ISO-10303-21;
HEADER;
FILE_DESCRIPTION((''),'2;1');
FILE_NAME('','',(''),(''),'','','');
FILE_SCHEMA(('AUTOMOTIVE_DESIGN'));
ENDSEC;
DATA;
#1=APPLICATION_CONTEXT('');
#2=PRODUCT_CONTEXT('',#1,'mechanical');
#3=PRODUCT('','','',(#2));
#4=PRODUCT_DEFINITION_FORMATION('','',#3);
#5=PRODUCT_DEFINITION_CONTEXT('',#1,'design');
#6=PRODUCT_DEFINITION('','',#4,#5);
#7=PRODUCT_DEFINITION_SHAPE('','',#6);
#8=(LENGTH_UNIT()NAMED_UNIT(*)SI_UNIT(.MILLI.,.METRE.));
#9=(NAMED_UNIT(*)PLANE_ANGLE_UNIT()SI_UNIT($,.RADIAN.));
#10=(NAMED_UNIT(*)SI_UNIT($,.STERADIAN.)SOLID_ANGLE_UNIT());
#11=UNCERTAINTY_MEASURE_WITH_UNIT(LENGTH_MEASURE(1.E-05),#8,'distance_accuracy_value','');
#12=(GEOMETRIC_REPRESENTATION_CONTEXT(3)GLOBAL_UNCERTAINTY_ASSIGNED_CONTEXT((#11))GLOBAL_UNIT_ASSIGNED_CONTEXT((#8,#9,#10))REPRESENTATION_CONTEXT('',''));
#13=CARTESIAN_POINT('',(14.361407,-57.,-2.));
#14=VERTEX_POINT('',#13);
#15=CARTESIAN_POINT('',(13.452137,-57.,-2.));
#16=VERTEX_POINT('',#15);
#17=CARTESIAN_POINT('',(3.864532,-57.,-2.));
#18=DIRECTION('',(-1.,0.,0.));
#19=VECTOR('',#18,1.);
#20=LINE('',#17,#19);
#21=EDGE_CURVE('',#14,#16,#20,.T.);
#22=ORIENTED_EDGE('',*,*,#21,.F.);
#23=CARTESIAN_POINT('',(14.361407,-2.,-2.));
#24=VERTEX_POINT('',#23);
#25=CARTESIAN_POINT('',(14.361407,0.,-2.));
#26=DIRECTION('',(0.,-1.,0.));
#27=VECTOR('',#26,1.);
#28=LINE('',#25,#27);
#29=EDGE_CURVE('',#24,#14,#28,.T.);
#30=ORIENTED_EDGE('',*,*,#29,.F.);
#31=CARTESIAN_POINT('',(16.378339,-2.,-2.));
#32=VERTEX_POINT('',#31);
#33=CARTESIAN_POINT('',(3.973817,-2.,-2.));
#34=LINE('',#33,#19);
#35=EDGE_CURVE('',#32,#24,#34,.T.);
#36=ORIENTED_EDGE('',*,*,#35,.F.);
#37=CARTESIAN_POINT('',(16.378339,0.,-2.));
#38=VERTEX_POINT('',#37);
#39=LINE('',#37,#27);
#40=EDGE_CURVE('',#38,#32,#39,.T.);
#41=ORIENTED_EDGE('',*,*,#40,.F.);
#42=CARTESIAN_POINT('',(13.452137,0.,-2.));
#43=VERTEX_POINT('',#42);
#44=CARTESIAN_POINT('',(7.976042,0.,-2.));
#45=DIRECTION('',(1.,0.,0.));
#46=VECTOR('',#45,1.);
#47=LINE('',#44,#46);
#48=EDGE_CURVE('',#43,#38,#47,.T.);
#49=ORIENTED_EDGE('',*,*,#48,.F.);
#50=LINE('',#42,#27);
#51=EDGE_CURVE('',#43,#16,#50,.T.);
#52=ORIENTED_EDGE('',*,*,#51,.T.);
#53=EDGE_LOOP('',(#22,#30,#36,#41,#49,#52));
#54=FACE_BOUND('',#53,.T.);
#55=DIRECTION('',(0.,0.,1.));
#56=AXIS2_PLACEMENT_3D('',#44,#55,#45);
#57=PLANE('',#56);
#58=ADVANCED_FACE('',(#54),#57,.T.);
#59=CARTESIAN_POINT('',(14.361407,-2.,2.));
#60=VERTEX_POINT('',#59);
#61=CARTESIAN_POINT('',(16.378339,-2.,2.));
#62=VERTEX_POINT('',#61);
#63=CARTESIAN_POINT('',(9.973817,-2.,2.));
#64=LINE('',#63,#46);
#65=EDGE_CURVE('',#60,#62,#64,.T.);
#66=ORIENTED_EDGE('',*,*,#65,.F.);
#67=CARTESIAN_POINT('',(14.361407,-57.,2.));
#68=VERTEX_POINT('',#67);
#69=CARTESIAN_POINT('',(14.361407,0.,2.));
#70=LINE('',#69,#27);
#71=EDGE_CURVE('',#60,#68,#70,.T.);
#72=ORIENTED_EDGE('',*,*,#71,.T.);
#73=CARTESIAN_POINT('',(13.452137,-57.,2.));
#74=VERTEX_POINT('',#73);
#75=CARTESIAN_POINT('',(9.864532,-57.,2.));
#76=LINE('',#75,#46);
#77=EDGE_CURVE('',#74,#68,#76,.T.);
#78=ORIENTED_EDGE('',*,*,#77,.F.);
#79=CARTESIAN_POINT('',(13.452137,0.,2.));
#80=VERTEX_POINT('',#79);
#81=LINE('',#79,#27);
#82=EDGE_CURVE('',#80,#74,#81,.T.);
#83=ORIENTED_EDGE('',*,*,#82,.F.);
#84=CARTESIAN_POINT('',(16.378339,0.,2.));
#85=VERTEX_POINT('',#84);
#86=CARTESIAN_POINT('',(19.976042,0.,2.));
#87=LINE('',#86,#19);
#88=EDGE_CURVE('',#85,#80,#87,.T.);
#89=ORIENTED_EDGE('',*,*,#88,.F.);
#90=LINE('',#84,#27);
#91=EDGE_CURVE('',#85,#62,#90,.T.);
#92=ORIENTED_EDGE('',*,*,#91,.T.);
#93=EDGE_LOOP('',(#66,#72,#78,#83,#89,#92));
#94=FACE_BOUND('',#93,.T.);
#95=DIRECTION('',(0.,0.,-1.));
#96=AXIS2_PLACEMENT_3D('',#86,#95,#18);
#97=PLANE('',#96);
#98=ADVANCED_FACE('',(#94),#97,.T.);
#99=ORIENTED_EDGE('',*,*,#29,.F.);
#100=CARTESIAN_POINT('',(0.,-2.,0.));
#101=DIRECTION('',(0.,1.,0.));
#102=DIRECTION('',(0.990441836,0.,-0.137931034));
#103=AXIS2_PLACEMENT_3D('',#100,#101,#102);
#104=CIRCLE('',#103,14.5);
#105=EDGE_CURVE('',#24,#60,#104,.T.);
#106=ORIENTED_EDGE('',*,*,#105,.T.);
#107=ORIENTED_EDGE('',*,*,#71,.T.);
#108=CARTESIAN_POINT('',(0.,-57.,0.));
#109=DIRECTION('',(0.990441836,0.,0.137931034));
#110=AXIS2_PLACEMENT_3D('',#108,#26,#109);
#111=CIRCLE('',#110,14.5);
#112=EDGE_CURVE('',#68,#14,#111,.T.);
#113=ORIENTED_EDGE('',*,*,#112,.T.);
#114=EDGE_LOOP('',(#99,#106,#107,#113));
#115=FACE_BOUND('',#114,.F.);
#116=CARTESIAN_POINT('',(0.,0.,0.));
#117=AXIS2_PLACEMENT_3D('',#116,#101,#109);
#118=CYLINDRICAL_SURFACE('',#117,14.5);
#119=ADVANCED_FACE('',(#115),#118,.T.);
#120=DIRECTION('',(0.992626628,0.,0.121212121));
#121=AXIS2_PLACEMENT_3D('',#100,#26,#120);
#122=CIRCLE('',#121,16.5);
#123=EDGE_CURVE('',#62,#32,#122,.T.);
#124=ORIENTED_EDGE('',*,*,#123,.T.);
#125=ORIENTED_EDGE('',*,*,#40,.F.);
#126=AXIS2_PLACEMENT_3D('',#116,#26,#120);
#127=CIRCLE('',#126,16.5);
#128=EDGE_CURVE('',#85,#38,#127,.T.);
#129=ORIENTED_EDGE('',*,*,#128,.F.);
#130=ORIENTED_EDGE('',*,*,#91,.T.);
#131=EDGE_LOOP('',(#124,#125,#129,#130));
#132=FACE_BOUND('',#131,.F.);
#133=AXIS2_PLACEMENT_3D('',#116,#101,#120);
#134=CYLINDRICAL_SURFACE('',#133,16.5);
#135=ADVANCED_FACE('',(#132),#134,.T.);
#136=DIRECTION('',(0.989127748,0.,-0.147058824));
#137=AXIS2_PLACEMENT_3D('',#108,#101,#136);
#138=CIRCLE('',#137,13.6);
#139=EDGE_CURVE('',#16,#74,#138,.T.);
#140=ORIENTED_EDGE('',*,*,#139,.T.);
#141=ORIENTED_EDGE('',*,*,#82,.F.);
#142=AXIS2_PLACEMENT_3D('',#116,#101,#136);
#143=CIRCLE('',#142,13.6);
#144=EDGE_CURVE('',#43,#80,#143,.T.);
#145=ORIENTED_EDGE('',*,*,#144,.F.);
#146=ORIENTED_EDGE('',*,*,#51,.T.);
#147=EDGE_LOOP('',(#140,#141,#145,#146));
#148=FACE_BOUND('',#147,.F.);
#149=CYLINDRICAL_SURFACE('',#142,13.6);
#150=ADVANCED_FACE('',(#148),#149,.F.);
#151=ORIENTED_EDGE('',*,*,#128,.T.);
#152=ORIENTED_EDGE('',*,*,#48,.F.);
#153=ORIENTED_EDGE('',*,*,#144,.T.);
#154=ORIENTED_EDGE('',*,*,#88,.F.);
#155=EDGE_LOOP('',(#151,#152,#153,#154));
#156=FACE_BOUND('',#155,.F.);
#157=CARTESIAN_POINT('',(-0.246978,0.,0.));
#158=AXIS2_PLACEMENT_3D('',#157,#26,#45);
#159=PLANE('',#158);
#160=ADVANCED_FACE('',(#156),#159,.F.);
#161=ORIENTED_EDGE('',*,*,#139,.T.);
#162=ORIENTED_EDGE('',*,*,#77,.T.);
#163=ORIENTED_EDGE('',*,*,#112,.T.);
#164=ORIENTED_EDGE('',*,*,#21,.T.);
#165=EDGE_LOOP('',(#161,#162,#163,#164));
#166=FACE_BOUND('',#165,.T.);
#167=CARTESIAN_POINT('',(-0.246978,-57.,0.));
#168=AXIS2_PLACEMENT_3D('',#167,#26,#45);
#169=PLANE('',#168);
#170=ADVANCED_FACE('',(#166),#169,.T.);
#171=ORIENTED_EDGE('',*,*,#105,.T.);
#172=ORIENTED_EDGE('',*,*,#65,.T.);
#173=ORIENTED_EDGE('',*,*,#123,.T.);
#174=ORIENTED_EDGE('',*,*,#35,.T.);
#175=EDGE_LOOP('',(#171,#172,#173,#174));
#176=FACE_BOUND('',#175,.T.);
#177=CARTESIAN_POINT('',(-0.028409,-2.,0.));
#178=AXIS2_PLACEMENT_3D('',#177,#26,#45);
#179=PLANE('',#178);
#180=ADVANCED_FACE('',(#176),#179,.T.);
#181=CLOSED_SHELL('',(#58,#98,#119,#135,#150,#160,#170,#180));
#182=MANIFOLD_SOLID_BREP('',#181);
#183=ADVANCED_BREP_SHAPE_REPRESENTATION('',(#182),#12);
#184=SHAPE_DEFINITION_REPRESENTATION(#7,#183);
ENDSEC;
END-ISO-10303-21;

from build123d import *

# Parameters (mm, degrees)
F1_DEPTH = 2
F2_DEPTH = 57
F3_DEPTH = 127


with BuildPart() as f1:
    # F0 (on Front) → F1 (new body)
    with BuildSketch(Plane.XZ):
        with BuildLine():
            ThreePointArc((14.3614066163, -2), (-14.5, 0), (14.3614066163, 2))
            Line((14.3614066163, 2), (16.3783393542, 2))
            ThreePointArc((16.3783393542, 2), (-16.5, 0), (16.3783393542, -2))
            Line((16.3783393542, -2), (14.3614066163, -2))
        make_face()
        with BuildLine():
            Line((16.3783393542, 2), (14.3614066163, 2))
            ThreePointArc((14.3614066163, 2), (14.465310158, 1.0023981402), (14.5, 0))
            ThreePointArc((14.5, 0), (14.465310158, -1.0023981402), (14.3614066163, -2))
            Line((14.3614066163, -2), (16.3783393542, -2))
            ThreePointArc((16.3783393542, -2), (16.469556754, -1.0018484557), (16.5, 0))
            ThreePointArc((16.5, 0), (16.469556754, 1.0018484557), (16.3783393542, 2))
        make_face()
    extrude(amount=F1_DEPTH)

    # F0 (on Front) → F2 (join)
    with BuildSketch(Plane.XZ):
        with BuildLine():
            ThreePointArc((13.4521373766, -2), (-13.6, 0), (13.4521373766, 2))
            Line((13.4521373766, 2), (14.3614066163, 2))
            ThreePointArc((14.3614066163, 2), (-14.5, 0), (14.3614066163, -2))
            Line((14.3614066163, -2), (13.4521373766, -2))
        make_face()
        with BuildLine():
            ThreePointArc((13.4521373766, 2), (13.5629839697, 1.0027291952), (13.6, 0))
            ThreePointArc((13.6, 0), (13.5629839697, -1.0027291952), (13.4521373766, -2))
            Line((13.4521373766, -2), (14.3614066163, -2))
            ThreePointArc((14.3614066163, -2), (14.465310158, -1.0023981402), (14.5, 0))
            ThreePointArc((14.5, 0), (14.465310158, 1.0023981402), (14.3614066163, 2))
            Line((14.3614066163, 2), (13.4521373766, 2))
        make_face()
    extrude(amount=F2_DEPTH)

    # F0 (on Front) → F3 (cut)
    with BuildSketch(Plane.XZ):
        with BuildLine():
            Line((19.9760421067, 2), (16.3783393542, 2))
            ThreePointArc((16.3783393542, 2), (16.469556754, 1.0018484557), (16.5, 0))
            ThreePointArc((16.5, 0), (16.469556754, -1.0018484557), (16.3783393542, -2))
            Line((16.3783393542, -2), (19.9760421067, -2))
            Line((19.9760421067, -2), (19.9760421067, 2))
        make_face()
        with BuildLine():
            Line((16.3783393542, 2), (14.3614066163, 2))
            ThreePointArc((14.3614066163, 2), (14.465310158, 1.0023981402), (14.5, 0))
            ThreePointArc((14.5, 0), (14.465310158, -1.0023981402), (14.3614066163, -2))
            Line((14.3614066163, -2), (16.3783393542, -2))
            ThreePointArc((16.3783393542, -2), (16.469556754, -1.0018484557), (16.5, 0))
            ThreePointArc((16.5, 0), (16.469556754, 1.0018484557), (16.3783393542, 2))
        make_face()
        with BuildLine():
            ThreePointArc((13.4521373766, 2), (13.5629839697, 1.0027291952), (13.6, 0))
            ThreePointArc((13.6, 0), (13.5629839697, -1.0027291952), (13.4521373766, -2))
            Line((13.4521373766, -2), (14.3614066163, -2))
            ThreePointArc((14.3614066163, -2), (14.465310158, -1.0023981402), (14.5, 0))
            ThreePointArc((14.5, 0), (14.465310158, 1.0023981402), (14.3614066163, 2))
            Line((14.3614066163, 2), (13.4521373766, 2))
        make_face()
        with BuildLine():
            ThreePointArc((13.4521373766, -2), (13.5629839697, -1.0027291952), (13.6, 0))
            ThreePointArc((13.6, 0), (13.5629839697, 1.0027291952), (13.4521373766, 2))
            Line((13.4521373766, 2), (7.9760421067, 2))
            Line((7.9760421067, 2), (7.9760421067, -2))
            Line((7.9760421067, -2), (13.4521373766, -2))
        make_face()
    extrude(amount=F3_DEPTH, mode=Mode.SUBTRACT)


solid = f1.part
